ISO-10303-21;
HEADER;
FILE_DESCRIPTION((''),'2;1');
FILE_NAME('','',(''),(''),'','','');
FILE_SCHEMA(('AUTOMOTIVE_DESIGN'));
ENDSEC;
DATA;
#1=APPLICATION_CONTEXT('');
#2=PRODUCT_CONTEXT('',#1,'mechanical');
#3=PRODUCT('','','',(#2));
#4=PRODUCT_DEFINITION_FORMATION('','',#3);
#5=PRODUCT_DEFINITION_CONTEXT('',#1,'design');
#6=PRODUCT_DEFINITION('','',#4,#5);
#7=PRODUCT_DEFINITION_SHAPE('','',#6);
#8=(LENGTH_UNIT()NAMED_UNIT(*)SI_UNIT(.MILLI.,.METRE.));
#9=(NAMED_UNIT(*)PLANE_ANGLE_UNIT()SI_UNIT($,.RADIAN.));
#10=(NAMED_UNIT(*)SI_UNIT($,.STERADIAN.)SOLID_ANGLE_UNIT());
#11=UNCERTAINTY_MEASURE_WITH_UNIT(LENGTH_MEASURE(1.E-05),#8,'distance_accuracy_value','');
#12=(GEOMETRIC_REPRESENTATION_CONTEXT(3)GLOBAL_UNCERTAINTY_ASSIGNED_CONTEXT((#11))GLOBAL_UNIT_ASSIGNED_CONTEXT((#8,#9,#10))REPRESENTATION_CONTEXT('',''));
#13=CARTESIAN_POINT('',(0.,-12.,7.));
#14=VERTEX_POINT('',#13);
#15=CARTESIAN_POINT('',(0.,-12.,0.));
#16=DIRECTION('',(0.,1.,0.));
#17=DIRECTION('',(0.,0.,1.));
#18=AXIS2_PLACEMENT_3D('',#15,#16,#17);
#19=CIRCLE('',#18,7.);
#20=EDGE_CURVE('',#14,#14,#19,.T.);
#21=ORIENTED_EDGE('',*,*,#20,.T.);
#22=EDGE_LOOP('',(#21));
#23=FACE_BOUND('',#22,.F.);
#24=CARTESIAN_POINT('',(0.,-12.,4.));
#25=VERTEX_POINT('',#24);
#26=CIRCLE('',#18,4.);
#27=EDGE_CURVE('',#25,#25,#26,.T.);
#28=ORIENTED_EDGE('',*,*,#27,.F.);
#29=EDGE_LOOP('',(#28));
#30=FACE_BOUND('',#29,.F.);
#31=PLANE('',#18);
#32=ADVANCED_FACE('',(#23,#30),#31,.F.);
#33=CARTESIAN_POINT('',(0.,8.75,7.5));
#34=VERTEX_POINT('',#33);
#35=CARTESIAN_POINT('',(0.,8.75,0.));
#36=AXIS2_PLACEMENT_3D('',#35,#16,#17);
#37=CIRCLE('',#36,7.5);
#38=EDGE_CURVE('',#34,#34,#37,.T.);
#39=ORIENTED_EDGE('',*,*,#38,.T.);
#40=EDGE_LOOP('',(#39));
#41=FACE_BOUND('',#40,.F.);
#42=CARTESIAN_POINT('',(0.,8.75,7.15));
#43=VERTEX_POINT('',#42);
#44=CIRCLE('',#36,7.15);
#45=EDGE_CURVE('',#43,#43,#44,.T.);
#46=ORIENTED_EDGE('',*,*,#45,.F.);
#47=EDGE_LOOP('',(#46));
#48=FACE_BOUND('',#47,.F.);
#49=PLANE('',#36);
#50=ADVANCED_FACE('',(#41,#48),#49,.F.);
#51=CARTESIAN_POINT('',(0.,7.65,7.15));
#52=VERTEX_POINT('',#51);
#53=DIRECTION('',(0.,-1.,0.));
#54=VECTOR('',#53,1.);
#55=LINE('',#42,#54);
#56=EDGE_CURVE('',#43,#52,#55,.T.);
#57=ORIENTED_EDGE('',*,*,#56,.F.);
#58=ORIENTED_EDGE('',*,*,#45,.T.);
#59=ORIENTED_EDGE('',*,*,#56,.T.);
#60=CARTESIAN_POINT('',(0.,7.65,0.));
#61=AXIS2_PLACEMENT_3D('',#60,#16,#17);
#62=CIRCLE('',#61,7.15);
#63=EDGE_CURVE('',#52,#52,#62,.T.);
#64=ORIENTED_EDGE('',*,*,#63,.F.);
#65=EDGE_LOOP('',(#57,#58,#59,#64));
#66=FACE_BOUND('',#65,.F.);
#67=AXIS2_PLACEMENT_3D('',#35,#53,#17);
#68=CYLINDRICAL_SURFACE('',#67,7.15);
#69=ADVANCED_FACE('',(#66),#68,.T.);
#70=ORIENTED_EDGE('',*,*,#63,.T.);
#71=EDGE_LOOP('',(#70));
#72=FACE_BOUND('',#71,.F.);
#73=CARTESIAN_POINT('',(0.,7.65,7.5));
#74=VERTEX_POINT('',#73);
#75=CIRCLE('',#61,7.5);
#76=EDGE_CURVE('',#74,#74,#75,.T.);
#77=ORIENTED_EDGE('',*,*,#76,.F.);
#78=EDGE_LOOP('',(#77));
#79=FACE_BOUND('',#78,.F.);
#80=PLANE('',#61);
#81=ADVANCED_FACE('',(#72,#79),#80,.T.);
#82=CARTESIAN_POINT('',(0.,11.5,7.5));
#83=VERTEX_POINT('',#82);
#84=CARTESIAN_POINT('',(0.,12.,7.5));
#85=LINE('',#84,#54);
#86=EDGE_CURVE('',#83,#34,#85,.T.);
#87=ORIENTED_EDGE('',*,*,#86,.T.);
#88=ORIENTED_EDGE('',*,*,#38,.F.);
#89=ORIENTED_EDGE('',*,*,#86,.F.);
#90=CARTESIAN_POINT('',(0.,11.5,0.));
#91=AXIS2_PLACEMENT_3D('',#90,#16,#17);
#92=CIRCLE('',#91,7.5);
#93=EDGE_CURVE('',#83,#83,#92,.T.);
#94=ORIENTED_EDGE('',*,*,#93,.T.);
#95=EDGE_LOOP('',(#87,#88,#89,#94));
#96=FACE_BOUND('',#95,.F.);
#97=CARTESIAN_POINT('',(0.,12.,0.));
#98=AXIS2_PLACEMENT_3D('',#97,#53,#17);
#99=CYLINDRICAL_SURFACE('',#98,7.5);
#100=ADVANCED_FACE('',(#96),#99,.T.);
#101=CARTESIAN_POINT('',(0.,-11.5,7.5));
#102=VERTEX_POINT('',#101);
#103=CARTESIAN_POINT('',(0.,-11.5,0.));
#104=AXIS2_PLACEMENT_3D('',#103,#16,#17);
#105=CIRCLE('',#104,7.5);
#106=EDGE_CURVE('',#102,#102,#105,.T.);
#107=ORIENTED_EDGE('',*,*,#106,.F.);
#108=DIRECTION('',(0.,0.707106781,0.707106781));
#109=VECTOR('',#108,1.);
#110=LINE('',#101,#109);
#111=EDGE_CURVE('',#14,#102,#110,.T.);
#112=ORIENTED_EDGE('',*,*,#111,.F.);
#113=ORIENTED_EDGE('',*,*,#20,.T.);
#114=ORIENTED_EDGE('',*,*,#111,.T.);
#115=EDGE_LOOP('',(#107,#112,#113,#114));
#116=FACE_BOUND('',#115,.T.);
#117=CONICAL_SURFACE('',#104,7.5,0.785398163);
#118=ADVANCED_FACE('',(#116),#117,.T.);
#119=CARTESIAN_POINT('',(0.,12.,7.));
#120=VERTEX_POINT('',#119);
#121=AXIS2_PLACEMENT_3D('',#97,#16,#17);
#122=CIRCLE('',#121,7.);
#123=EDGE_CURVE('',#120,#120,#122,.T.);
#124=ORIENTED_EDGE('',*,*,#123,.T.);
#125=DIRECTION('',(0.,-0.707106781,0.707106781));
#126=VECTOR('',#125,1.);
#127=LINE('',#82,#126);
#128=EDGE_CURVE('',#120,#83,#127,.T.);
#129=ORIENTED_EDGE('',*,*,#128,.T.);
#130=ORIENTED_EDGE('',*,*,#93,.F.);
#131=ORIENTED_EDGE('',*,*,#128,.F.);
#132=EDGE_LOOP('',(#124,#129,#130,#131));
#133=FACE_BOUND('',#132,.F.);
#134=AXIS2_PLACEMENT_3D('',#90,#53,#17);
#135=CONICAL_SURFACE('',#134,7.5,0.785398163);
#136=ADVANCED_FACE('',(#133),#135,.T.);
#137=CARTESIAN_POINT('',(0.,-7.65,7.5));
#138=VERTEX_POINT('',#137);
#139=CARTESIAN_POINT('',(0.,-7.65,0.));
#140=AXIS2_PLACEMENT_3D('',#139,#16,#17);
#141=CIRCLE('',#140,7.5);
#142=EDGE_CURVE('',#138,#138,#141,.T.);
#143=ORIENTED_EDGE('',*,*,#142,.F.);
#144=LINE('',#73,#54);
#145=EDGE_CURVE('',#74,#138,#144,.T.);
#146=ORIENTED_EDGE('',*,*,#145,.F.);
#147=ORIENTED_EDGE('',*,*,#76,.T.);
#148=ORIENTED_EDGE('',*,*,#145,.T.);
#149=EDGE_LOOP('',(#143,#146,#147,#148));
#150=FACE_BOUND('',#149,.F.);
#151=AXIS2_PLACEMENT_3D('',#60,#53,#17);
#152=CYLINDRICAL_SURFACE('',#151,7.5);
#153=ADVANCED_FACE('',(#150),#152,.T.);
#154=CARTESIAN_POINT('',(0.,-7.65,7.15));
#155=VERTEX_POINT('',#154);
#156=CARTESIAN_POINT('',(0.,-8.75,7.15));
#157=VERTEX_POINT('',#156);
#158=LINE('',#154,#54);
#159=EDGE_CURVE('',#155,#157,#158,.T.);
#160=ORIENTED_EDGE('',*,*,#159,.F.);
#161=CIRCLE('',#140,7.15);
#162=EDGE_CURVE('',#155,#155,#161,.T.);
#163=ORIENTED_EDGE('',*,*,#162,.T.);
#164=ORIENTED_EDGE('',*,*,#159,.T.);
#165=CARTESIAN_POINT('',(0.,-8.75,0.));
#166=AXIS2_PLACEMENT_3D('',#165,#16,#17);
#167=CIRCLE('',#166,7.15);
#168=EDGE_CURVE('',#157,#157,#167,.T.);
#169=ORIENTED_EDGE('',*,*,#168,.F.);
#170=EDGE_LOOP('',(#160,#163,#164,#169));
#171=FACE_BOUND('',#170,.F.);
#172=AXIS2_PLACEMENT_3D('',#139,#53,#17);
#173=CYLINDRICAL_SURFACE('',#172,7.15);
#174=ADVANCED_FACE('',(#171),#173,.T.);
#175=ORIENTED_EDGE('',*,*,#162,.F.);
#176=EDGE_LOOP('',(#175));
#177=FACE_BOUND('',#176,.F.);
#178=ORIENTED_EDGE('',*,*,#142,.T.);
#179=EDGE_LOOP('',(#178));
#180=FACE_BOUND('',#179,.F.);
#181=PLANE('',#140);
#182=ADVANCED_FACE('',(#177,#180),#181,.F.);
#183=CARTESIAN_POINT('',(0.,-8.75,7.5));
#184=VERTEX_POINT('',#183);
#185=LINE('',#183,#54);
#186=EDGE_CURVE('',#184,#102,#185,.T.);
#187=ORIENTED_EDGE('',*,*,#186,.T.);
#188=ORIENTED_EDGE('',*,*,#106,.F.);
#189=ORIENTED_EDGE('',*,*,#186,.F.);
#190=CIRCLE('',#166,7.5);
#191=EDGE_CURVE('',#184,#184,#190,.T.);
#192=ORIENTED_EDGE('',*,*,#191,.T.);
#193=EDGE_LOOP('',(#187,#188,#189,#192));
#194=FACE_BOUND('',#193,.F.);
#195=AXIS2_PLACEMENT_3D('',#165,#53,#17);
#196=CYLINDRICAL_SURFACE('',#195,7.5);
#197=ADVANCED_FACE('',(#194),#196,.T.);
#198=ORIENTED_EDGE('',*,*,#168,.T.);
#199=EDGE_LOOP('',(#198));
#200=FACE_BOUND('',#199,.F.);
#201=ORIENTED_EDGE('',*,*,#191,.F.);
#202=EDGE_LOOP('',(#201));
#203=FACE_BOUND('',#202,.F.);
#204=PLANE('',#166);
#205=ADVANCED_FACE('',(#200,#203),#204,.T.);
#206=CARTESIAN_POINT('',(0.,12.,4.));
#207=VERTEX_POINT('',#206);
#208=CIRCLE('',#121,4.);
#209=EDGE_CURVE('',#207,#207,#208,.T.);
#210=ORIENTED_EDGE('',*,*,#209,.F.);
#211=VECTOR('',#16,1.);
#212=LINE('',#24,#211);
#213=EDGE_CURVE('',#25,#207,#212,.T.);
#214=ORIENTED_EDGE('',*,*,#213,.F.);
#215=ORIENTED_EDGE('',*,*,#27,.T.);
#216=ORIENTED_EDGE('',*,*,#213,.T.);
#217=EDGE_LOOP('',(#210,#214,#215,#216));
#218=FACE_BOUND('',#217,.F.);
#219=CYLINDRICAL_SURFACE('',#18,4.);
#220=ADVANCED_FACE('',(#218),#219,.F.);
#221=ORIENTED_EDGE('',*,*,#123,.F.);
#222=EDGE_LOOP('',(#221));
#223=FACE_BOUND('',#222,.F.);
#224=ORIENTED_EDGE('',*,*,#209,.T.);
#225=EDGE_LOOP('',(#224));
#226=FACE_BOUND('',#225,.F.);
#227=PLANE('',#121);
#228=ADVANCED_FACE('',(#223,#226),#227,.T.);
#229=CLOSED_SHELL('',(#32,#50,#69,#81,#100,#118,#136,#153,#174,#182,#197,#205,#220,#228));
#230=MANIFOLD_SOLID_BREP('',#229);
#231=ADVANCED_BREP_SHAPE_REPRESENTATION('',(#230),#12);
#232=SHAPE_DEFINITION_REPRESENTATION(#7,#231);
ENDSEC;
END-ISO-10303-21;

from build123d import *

# Parameters (mm, degrees)
F2_SIZE = 0.5


with BuildPart() as f1:
    # F0 (on Right) → F1 (revolve)
    with BuildSketch(Plane.YZ):
        Polygon((-12, 7.5), (-12, 4), (12, 4), (12, 7.5), (8.75, 7.5), (8.75, 7.15), (7.65, 7.15), (7.65, 7.5), (-7.65, 7.5), (-7.65, 7.15), (-8.75, 7.15), (-8.75, 7.5), align=None)
    revolve(axis=Axis((0, 0, 0), (0, 1, 0)))

    # F2
    f2_edges = [f1.edges().sort_by_distance(p)[0] for p in [
        (0, -12, -7.5),
        (0, 12, -7.5),
    ]]
    chamfer(f2_edges, length=F2_SIZE)


solid = f1.part
